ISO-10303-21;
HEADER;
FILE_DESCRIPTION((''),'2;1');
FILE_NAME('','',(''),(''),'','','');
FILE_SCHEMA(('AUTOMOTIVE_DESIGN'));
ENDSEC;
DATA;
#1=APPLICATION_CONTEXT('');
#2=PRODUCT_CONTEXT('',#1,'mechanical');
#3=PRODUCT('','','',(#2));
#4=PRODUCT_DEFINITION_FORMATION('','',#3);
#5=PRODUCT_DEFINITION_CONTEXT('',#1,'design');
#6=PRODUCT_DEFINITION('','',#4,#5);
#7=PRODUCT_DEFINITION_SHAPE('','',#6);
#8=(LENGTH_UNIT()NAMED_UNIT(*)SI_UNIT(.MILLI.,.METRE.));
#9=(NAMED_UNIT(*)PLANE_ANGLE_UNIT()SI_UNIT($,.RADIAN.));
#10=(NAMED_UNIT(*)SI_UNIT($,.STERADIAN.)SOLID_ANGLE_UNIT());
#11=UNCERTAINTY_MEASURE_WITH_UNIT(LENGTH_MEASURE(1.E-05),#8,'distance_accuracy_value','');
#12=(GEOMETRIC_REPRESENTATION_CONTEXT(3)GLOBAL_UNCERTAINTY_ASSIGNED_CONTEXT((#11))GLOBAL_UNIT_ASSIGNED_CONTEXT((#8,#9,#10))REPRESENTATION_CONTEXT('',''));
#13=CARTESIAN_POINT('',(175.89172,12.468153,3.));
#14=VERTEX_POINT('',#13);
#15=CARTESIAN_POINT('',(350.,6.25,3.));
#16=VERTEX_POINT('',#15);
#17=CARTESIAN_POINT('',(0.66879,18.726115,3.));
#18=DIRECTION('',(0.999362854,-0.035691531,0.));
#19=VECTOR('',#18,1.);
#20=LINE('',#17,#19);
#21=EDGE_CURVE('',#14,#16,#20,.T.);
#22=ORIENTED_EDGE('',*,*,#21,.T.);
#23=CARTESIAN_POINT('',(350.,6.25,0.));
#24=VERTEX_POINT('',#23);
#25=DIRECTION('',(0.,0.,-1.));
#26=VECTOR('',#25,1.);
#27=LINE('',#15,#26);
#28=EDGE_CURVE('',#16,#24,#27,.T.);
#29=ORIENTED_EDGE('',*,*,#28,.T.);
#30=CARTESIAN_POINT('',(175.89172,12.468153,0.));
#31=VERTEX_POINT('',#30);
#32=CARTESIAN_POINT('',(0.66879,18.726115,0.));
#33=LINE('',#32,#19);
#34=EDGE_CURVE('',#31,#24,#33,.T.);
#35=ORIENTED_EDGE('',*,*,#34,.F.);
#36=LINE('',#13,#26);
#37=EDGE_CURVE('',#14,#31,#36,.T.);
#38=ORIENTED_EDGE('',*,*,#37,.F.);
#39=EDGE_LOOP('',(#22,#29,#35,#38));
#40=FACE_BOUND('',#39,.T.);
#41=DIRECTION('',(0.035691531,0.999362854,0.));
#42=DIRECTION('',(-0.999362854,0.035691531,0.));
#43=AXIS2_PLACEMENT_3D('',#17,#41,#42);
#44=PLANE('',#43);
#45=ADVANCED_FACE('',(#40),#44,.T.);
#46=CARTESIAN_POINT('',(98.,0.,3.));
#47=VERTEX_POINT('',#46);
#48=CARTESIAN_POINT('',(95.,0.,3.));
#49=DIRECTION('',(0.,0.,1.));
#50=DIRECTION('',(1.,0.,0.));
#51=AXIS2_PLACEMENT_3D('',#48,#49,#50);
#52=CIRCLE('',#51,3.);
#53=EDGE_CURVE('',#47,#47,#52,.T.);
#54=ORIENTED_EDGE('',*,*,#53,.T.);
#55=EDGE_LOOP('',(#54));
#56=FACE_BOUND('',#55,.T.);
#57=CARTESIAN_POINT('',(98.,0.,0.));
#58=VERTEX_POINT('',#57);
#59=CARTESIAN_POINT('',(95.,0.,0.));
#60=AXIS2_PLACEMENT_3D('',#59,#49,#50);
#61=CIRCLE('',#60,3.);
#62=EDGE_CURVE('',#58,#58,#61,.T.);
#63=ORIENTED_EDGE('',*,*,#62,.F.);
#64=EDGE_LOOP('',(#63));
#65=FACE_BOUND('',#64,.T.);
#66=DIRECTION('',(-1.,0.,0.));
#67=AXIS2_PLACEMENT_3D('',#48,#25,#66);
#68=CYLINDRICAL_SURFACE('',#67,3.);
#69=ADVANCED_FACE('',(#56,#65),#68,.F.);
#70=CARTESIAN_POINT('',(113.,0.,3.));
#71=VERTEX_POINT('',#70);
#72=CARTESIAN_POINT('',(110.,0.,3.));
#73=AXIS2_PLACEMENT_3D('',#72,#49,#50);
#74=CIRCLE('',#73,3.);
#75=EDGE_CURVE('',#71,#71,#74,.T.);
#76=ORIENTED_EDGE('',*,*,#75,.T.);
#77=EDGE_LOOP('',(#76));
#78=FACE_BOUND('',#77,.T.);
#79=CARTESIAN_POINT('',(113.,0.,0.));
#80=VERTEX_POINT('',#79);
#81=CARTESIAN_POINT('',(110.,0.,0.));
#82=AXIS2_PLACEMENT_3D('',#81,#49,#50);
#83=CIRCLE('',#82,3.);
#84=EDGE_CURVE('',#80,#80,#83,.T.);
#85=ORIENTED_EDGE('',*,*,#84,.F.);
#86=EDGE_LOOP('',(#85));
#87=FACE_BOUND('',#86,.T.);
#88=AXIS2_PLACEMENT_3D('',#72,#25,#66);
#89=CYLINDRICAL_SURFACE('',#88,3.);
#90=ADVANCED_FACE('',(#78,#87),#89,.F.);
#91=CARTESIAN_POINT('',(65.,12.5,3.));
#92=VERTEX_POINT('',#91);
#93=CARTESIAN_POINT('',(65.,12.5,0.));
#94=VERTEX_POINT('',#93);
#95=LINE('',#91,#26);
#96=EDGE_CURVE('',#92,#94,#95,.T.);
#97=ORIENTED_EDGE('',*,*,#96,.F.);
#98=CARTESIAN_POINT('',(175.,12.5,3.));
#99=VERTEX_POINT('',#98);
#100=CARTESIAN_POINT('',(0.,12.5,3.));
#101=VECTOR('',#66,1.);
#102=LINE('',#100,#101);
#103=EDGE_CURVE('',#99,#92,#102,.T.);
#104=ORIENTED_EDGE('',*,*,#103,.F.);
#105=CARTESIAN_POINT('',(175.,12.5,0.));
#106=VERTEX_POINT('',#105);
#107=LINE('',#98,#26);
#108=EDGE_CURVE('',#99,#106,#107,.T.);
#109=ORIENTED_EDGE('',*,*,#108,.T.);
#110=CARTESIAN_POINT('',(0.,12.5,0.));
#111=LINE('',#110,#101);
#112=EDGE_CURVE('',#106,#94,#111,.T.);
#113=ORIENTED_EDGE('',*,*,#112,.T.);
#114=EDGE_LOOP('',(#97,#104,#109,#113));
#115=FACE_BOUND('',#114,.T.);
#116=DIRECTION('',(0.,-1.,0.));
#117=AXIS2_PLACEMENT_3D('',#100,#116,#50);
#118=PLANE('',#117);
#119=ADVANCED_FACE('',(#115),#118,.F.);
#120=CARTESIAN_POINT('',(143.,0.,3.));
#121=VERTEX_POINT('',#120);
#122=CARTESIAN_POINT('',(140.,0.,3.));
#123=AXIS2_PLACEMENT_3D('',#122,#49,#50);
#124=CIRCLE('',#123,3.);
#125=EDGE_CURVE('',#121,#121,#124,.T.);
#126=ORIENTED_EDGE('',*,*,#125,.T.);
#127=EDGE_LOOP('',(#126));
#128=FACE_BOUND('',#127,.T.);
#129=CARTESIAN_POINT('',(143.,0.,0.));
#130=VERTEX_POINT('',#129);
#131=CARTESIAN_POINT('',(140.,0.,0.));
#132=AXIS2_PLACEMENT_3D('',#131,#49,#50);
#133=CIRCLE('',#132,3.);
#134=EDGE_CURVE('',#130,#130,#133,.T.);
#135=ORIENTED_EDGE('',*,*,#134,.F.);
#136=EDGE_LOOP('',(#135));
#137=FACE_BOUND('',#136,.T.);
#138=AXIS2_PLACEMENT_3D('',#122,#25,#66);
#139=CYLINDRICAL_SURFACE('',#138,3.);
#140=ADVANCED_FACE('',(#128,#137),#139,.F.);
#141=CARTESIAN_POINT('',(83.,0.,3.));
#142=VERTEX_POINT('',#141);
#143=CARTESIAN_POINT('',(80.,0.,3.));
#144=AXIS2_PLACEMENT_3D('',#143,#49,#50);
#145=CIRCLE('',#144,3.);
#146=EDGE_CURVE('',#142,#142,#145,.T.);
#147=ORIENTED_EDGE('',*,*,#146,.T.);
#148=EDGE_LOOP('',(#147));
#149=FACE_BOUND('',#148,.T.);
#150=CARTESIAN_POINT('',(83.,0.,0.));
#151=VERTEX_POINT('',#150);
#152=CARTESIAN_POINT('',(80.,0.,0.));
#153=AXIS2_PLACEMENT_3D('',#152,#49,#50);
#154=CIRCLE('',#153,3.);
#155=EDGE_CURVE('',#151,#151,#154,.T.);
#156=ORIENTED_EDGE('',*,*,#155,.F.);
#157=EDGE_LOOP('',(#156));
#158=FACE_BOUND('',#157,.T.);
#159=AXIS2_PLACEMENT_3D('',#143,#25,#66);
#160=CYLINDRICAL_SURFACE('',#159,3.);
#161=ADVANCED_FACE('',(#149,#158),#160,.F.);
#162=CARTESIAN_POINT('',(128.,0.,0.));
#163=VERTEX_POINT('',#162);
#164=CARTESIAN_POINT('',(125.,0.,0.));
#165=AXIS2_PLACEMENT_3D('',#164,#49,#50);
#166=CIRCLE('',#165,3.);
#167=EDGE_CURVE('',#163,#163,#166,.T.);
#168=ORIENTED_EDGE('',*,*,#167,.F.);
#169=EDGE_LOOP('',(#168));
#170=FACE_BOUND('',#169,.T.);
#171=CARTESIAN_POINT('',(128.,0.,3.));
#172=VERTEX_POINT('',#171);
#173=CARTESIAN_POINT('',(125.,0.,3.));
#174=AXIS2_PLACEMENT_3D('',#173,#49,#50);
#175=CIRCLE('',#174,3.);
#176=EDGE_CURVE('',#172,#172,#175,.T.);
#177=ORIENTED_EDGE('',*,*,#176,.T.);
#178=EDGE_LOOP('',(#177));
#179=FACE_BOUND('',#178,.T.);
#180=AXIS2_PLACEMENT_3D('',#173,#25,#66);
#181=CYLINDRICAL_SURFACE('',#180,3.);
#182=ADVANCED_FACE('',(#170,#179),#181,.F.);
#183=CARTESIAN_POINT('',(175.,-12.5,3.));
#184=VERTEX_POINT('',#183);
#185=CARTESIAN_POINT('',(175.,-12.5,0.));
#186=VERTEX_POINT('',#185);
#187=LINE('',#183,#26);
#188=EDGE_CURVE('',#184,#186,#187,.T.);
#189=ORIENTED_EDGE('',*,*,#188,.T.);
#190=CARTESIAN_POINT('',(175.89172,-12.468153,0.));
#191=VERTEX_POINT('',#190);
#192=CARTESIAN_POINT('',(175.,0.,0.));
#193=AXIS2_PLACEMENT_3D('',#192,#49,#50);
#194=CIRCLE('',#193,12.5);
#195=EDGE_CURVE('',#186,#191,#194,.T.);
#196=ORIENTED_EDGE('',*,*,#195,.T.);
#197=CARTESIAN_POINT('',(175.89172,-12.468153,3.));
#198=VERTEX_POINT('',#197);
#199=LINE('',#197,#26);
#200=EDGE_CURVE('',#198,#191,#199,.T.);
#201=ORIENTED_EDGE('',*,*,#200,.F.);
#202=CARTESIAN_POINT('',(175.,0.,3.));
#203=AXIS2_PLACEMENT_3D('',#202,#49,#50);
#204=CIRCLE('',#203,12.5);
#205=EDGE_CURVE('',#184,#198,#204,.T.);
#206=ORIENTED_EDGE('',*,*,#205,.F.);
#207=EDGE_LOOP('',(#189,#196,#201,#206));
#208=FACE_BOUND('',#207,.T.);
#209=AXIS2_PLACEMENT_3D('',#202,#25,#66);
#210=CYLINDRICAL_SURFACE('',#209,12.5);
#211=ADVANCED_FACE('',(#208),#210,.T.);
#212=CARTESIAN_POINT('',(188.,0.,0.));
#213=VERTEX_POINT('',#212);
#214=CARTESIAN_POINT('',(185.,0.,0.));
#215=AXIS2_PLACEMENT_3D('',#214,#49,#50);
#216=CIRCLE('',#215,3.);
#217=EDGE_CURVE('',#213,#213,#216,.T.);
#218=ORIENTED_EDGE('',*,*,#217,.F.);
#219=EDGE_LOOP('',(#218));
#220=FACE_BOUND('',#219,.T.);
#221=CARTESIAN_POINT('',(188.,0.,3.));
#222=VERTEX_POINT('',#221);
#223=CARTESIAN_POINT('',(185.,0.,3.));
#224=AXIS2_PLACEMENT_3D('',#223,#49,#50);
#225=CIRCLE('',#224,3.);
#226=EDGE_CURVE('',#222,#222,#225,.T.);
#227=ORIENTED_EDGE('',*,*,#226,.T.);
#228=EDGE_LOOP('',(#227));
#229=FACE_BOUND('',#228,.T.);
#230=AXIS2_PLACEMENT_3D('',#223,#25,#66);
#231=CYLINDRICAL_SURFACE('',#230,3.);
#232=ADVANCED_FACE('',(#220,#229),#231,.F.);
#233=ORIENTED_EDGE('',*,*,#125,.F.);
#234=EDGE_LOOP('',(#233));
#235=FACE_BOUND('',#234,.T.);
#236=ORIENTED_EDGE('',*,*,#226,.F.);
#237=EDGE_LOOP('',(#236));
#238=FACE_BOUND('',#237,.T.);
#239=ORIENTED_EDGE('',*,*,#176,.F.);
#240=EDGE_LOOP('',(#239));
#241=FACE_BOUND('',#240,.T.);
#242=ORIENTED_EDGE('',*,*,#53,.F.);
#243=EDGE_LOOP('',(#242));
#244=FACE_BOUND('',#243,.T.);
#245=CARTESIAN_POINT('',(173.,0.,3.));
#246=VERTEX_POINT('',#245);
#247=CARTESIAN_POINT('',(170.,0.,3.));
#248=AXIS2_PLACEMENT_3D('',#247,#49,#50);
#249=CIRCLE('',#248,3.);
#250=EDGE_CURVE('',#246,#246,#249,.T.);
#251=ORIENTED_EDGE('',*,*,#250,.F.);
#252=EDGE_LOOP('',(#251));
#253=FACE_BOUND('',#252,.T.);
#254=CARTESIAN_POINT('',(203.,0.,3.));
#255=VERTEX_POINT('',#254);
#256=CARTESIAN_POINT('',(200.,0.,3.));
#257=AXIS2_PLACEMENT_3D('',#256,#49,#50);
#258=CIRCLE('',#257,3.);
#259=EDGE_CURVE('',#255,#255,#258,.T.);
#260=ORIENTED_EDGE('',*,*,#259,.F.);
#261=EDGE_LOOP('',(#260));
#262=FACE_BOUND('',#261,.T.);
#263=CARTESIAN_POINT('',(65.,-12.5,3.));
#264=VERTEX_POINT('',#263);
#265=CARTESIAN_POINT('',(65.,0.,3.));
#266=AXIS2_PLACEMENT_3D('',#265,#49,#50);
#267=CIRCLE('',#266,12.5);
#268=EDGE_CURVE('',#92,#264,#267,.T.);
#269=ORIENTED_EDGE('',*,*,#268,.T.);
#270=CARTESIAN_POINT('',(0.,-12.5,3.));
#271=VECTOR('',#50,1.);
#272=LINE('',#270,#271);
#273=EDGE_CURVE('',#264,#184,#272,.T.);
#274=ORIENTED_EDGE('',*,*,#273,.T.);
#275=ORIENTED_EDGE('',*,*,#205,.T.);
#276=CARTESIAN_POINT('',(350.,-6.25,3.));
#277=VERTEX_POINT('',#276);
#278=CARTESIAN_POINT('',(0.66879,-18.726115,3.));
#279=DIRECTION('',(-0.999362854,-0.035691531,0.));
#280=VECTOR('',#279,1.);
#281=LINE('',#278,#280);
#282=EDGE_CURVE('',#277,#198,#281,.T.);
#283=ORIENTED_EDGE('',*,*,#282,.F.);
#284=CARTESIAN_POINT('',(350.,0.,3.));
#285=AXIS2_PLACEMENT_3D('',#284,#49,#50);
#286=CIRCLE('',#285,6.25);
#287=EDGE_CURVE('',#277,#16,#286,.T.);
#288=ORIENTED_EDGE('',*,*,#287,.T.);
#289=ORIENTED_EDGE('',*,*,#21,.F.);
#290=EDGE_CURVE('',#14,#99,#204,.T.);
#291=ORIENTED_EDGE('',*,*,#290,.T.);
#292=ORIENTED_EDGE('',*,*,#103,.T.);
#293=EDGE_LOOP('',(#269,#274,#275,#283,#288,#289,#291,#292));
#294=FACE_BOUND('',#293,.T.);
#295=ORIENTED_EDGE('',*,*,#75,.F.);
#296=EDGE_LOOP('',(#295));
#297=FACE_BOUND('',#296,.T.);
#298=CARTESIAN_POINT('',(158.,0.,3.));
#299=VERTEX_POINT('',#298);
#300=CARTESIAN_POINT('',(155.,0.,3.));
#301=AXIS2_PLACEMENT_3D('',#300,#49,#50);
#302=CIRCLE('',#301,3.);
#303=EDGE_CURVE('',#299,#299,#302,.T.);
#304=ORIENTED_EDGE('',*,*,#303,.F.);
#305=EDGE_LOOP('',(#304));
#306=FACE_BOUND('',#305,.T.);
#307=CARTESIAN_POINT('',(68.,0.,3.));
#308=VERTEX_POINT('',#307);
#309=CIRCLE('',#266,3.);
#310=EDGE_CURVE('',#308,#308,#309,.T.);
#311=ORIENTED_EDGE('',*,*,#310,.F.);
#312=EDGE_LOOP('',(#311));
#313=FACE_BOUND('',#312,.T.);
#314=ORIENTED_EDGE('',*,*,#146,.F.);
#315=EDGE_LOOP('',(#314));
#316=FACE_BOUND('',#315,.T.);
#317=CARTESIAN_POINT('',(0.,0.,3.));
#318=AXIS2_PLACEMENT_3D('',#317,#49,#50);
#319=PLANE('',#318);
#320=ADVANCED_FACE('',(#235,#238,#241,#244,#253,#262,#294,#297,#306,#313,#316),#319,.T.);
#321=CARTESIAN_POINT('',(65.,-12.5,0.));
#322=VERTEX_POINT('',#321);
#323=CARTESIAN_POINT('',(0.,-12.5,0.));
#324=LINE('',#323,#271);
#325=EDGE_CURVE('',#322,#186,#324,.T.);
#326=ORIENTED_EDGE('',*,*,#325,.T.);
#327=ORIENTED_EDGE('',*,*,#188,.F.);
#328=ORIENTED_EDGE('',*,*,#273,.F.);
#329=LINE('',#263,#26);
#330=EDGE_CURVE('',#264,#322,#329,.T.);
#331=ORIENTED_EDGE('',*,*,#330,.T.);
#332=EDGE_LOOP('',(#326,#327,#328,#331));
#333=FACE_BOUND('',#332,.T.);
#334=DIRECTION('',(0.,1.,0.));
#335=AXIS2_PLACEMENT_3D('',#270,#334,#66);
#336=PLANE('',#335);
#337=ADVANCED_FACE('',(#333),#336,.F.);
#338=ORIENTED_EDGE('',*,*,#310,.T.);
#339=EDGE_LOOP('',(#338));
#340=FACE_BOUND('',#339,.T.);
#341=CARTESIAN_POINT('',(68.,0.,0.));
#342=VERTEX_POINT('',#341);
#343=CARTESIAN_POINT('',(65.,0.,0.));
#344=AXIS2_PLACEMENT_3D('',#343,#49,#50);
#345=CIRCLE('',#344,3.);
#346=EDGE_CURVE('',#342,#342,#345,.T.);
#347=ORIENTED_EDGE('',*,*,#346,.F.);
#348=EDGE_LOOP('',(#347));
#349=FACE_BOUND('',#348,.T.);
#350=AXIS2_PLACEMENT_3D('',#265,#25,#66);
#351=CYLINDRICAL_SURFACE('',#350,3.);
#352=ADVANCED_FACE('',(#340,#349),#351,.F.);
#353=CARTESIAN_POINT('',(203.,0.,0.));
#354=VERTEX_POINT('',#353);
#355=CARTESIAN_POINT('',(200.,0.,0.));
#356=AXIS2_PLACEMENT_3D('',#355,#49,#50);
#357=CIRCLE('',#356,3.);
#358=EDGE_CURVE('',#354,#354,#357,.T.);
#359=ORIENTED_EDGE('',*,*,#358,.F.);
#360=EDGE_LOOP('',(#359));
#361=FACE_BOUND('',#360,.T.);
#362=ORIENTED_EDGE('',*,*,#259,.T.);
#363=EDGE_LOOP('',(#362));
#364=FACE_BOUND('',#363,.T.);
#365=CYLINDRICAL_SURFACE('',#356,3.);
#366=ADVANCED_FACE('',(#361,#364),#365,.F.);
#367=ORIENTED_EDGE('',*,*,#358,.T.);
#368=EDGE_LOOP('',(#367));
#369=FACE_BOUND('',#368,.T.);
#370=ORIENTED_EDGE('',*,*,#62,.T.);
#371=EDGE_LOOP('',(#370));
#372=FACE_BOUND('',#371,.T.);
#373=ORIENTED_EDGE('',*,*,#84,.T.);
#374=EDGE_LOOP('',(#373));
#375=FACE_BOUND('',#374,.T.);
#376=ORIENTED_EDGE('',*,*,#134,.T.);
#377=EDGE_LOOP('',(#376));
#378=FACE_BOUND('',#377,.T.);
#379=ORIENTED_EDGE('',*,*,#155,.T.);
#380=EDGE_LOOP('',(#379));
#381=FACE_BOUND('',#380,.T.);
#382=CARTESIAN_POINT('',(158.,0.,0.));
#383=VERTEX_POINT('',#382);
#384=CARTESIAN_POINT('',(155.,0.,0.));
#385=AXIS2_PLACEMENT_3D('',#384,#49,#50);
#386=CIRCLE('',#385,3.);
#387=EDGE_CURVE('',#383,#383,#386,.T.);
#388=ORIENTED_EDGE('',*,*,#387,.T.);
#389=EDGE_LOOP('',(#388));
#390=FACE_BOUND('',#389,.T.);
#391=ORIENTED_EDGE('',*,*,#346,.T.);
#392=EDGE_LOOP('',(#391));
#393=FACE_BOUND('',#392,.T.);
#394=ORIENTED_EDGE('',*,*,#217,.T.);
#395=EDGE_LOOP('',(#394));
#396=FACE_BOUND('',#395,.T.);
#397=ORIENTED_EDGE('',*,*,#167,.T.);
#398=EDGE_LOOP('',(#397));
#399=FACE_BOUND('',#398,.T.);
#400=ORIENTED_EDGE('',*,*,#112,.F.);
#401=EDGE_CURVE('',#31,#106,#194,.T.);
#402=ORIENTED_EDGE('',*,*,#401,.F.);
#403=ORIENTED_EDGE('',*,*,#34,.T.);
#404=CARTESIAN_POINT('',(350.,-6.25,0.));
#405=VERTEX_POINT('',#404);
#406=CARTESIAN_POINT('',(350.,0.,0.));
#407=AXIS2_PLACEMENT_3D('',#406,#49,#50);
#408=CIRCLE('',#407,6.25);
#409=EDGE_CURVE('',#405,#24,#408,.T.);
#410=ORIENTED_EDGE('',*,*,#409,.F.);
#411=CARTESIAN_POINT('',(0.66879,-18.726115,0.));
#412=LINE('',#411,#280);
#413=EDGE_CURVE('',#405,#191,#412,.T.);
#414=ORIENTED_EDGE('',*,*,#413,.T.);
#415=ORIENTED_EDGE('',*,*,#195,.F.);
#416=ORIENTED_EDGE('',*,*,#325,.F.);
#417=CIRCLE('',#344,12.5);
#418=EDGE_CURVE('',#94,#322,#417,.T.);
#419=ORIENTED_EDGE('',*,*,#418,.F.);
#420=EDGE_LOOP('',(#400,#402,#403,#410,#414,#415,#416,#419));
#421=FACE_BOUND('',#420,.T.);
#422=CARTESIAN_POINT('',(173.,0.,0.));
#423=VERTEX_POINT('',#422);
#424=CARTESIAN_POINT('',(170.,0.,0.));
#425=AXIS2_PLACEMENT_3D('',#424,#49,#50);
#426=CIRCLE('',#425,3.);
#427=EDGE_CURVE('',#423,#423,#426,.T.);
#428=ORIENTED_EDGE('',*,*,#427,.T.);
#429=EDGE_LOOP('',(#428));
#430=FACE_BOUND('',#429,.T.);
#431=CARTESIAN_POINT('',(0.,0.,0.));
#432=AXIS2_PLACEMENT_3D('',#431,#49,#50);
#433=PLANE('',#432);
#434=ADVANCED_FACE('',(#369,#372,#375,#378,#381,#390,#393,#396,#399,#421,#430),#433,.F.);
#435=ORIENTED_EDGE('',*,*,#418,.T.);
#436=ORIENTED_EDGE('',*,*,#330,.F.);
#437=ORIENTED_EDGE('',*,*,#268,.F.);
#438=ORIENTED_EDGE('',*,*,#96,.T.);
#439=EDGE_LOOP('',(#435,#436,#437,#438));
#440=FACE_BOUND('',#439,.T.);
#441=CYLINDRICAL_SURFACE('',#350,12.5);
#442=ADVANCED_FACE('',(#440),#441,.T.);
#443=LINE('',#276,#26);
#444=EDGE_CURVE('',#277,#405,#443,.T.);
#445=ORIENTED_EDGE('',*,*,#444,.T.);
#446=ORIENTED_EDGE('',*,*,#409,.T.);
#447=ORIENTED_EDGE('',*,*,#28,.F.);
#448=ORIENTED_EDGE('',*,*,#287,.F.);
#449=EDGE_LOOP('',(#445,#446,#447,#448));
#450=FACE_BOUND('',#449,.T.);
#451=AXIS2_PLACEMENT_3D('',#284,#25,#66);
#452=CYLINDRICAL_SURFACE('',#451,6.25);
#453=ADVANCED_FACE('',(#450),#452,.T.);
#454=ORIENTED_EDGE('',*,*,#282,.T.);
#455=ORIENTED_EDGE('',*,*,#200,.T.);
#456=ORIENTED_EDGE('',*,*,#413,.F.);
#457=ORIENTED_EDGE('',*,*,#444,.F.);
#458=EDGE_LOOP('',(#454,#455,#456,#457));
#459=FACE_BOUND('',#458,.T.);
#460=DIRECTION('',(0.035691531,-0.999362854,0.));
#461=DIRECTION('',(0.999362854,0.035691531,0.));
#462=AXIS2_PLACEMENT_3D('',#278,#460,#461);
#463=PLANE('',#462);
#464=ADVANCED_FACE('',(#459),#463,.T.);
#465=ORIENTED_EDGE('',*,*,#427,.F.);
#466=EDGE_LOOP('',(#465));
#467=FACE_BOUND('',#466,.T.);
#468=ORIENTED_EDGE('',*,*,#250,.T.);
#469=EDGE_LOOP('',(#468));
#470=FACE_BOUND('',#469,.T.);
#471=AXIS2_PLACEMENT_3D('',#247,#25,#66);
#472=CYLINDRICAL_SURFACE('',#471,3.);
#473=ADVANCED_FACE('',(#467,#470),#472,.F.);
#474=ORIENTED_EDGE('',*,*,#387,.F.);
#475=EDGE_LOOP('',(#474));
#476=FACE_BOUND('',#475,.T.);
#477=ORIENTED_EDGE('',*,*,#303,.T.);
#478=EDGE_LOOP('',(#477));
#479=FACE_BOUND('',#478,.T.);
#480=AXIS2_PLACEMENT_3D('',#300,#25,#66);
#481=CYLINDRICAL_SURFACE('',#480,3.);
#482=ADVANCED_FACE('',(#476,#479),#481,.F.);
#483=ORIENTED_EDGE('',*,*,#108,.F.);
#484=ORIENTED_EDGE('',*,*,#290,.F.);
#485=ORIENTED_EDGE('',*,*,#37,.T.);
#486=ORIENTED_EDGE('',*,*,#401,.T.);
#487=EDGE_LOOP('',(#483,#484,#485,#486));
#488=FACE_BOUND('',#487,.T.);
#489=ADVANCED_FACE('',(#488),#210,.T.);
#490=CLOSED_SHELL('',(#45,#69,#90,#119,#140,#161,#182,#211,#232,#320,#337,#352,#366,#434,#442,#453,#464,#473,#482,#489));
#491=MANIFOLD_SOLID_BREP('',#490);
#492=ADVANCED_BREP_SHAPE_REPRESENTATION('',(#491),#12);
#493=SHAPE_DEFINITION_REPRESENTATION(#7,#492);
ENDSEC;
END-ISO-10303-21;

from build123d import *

# Parameters (mm, degrees)
SKETCH1_R           = 3
BOSS_EXTRUDE1_DEPTH = 3
SKETCH2_R           = 3
CUT_EXTRUDE1_DEPTH  = 3


with BuildPart() as part:
    # Sketch1 → Boss-Extrude1 (new body)
    with BuildSketch(Plane.XY):
        with BuildLine():
            Line((175.891719745, 12.468152866), (350, 6.25))
            ThreePointArc((350, 6.25), (356.25, 0), (350, -6.25))
            Line((350, -6.25), (175.891719745, -12.468152866))
            ThreePointArc((175.891719745, -12.468152866), (175.446144131, -12.492035679), (175, -12.5))
            Line((175, -12.5), (65, -12.5))
            ThreePointArc((65, -12.5), (52.5, 0), (65, 12.5))
            Line((65, 12.5), (175, 12.5))
            ThreePointArc((175, 12.5), (175.446144131, 12.492035679), (175.891719745, 12.468152866))
        make_face()
        with Locations((65, 0)):
            Circle(SKETCH1_R, mode=Mode.SUBTRACT)
        with Locations((80, 0)):
            Circle(SKETCH1_R, mode=Mode.SUBTRACT)
        with Locations((95, 0)):
            Circle(SKETCH1_R, mode=Mode.SUBTRACT)
        with Locations((110, 0)):
            Circle(SKETCH1_R, mode=Mode.SUBTRACT)
        with Locations((125, 0)):
            Circle(SKETCH1_R, mode=Mode.SUBTRACT)
        with Locations((140, 0)):
            Circle(SKETCH1_R, mode=Mode.SUBTRACT)
        with Locations((155, 0)):
            Circle(SKETCH1_R, mode=Mode.SUBTRACT)
        with Locations((170, 0)):
            Circle(SKETCH1_R, mode=Mode.SUBTRACT)
        with Locations((185, 0)):
            Circle(SKETCH1_R, mode=Mode.SUBTRACT)
    extrude(amount=BOSS_EXTRUDE1_DEPTH)

    # Sketch2 → Cut-Extrude1 (cut)
    with BuildSketch(Plane.XY.offset(3)):
        with Locations((200, 0)):
            Circle(SKETCH2_R)
    extrude(amount=-CUT_EXTRUDE1_DEPTH, mode=Mode.SUBTRACT)


solid = part.part
